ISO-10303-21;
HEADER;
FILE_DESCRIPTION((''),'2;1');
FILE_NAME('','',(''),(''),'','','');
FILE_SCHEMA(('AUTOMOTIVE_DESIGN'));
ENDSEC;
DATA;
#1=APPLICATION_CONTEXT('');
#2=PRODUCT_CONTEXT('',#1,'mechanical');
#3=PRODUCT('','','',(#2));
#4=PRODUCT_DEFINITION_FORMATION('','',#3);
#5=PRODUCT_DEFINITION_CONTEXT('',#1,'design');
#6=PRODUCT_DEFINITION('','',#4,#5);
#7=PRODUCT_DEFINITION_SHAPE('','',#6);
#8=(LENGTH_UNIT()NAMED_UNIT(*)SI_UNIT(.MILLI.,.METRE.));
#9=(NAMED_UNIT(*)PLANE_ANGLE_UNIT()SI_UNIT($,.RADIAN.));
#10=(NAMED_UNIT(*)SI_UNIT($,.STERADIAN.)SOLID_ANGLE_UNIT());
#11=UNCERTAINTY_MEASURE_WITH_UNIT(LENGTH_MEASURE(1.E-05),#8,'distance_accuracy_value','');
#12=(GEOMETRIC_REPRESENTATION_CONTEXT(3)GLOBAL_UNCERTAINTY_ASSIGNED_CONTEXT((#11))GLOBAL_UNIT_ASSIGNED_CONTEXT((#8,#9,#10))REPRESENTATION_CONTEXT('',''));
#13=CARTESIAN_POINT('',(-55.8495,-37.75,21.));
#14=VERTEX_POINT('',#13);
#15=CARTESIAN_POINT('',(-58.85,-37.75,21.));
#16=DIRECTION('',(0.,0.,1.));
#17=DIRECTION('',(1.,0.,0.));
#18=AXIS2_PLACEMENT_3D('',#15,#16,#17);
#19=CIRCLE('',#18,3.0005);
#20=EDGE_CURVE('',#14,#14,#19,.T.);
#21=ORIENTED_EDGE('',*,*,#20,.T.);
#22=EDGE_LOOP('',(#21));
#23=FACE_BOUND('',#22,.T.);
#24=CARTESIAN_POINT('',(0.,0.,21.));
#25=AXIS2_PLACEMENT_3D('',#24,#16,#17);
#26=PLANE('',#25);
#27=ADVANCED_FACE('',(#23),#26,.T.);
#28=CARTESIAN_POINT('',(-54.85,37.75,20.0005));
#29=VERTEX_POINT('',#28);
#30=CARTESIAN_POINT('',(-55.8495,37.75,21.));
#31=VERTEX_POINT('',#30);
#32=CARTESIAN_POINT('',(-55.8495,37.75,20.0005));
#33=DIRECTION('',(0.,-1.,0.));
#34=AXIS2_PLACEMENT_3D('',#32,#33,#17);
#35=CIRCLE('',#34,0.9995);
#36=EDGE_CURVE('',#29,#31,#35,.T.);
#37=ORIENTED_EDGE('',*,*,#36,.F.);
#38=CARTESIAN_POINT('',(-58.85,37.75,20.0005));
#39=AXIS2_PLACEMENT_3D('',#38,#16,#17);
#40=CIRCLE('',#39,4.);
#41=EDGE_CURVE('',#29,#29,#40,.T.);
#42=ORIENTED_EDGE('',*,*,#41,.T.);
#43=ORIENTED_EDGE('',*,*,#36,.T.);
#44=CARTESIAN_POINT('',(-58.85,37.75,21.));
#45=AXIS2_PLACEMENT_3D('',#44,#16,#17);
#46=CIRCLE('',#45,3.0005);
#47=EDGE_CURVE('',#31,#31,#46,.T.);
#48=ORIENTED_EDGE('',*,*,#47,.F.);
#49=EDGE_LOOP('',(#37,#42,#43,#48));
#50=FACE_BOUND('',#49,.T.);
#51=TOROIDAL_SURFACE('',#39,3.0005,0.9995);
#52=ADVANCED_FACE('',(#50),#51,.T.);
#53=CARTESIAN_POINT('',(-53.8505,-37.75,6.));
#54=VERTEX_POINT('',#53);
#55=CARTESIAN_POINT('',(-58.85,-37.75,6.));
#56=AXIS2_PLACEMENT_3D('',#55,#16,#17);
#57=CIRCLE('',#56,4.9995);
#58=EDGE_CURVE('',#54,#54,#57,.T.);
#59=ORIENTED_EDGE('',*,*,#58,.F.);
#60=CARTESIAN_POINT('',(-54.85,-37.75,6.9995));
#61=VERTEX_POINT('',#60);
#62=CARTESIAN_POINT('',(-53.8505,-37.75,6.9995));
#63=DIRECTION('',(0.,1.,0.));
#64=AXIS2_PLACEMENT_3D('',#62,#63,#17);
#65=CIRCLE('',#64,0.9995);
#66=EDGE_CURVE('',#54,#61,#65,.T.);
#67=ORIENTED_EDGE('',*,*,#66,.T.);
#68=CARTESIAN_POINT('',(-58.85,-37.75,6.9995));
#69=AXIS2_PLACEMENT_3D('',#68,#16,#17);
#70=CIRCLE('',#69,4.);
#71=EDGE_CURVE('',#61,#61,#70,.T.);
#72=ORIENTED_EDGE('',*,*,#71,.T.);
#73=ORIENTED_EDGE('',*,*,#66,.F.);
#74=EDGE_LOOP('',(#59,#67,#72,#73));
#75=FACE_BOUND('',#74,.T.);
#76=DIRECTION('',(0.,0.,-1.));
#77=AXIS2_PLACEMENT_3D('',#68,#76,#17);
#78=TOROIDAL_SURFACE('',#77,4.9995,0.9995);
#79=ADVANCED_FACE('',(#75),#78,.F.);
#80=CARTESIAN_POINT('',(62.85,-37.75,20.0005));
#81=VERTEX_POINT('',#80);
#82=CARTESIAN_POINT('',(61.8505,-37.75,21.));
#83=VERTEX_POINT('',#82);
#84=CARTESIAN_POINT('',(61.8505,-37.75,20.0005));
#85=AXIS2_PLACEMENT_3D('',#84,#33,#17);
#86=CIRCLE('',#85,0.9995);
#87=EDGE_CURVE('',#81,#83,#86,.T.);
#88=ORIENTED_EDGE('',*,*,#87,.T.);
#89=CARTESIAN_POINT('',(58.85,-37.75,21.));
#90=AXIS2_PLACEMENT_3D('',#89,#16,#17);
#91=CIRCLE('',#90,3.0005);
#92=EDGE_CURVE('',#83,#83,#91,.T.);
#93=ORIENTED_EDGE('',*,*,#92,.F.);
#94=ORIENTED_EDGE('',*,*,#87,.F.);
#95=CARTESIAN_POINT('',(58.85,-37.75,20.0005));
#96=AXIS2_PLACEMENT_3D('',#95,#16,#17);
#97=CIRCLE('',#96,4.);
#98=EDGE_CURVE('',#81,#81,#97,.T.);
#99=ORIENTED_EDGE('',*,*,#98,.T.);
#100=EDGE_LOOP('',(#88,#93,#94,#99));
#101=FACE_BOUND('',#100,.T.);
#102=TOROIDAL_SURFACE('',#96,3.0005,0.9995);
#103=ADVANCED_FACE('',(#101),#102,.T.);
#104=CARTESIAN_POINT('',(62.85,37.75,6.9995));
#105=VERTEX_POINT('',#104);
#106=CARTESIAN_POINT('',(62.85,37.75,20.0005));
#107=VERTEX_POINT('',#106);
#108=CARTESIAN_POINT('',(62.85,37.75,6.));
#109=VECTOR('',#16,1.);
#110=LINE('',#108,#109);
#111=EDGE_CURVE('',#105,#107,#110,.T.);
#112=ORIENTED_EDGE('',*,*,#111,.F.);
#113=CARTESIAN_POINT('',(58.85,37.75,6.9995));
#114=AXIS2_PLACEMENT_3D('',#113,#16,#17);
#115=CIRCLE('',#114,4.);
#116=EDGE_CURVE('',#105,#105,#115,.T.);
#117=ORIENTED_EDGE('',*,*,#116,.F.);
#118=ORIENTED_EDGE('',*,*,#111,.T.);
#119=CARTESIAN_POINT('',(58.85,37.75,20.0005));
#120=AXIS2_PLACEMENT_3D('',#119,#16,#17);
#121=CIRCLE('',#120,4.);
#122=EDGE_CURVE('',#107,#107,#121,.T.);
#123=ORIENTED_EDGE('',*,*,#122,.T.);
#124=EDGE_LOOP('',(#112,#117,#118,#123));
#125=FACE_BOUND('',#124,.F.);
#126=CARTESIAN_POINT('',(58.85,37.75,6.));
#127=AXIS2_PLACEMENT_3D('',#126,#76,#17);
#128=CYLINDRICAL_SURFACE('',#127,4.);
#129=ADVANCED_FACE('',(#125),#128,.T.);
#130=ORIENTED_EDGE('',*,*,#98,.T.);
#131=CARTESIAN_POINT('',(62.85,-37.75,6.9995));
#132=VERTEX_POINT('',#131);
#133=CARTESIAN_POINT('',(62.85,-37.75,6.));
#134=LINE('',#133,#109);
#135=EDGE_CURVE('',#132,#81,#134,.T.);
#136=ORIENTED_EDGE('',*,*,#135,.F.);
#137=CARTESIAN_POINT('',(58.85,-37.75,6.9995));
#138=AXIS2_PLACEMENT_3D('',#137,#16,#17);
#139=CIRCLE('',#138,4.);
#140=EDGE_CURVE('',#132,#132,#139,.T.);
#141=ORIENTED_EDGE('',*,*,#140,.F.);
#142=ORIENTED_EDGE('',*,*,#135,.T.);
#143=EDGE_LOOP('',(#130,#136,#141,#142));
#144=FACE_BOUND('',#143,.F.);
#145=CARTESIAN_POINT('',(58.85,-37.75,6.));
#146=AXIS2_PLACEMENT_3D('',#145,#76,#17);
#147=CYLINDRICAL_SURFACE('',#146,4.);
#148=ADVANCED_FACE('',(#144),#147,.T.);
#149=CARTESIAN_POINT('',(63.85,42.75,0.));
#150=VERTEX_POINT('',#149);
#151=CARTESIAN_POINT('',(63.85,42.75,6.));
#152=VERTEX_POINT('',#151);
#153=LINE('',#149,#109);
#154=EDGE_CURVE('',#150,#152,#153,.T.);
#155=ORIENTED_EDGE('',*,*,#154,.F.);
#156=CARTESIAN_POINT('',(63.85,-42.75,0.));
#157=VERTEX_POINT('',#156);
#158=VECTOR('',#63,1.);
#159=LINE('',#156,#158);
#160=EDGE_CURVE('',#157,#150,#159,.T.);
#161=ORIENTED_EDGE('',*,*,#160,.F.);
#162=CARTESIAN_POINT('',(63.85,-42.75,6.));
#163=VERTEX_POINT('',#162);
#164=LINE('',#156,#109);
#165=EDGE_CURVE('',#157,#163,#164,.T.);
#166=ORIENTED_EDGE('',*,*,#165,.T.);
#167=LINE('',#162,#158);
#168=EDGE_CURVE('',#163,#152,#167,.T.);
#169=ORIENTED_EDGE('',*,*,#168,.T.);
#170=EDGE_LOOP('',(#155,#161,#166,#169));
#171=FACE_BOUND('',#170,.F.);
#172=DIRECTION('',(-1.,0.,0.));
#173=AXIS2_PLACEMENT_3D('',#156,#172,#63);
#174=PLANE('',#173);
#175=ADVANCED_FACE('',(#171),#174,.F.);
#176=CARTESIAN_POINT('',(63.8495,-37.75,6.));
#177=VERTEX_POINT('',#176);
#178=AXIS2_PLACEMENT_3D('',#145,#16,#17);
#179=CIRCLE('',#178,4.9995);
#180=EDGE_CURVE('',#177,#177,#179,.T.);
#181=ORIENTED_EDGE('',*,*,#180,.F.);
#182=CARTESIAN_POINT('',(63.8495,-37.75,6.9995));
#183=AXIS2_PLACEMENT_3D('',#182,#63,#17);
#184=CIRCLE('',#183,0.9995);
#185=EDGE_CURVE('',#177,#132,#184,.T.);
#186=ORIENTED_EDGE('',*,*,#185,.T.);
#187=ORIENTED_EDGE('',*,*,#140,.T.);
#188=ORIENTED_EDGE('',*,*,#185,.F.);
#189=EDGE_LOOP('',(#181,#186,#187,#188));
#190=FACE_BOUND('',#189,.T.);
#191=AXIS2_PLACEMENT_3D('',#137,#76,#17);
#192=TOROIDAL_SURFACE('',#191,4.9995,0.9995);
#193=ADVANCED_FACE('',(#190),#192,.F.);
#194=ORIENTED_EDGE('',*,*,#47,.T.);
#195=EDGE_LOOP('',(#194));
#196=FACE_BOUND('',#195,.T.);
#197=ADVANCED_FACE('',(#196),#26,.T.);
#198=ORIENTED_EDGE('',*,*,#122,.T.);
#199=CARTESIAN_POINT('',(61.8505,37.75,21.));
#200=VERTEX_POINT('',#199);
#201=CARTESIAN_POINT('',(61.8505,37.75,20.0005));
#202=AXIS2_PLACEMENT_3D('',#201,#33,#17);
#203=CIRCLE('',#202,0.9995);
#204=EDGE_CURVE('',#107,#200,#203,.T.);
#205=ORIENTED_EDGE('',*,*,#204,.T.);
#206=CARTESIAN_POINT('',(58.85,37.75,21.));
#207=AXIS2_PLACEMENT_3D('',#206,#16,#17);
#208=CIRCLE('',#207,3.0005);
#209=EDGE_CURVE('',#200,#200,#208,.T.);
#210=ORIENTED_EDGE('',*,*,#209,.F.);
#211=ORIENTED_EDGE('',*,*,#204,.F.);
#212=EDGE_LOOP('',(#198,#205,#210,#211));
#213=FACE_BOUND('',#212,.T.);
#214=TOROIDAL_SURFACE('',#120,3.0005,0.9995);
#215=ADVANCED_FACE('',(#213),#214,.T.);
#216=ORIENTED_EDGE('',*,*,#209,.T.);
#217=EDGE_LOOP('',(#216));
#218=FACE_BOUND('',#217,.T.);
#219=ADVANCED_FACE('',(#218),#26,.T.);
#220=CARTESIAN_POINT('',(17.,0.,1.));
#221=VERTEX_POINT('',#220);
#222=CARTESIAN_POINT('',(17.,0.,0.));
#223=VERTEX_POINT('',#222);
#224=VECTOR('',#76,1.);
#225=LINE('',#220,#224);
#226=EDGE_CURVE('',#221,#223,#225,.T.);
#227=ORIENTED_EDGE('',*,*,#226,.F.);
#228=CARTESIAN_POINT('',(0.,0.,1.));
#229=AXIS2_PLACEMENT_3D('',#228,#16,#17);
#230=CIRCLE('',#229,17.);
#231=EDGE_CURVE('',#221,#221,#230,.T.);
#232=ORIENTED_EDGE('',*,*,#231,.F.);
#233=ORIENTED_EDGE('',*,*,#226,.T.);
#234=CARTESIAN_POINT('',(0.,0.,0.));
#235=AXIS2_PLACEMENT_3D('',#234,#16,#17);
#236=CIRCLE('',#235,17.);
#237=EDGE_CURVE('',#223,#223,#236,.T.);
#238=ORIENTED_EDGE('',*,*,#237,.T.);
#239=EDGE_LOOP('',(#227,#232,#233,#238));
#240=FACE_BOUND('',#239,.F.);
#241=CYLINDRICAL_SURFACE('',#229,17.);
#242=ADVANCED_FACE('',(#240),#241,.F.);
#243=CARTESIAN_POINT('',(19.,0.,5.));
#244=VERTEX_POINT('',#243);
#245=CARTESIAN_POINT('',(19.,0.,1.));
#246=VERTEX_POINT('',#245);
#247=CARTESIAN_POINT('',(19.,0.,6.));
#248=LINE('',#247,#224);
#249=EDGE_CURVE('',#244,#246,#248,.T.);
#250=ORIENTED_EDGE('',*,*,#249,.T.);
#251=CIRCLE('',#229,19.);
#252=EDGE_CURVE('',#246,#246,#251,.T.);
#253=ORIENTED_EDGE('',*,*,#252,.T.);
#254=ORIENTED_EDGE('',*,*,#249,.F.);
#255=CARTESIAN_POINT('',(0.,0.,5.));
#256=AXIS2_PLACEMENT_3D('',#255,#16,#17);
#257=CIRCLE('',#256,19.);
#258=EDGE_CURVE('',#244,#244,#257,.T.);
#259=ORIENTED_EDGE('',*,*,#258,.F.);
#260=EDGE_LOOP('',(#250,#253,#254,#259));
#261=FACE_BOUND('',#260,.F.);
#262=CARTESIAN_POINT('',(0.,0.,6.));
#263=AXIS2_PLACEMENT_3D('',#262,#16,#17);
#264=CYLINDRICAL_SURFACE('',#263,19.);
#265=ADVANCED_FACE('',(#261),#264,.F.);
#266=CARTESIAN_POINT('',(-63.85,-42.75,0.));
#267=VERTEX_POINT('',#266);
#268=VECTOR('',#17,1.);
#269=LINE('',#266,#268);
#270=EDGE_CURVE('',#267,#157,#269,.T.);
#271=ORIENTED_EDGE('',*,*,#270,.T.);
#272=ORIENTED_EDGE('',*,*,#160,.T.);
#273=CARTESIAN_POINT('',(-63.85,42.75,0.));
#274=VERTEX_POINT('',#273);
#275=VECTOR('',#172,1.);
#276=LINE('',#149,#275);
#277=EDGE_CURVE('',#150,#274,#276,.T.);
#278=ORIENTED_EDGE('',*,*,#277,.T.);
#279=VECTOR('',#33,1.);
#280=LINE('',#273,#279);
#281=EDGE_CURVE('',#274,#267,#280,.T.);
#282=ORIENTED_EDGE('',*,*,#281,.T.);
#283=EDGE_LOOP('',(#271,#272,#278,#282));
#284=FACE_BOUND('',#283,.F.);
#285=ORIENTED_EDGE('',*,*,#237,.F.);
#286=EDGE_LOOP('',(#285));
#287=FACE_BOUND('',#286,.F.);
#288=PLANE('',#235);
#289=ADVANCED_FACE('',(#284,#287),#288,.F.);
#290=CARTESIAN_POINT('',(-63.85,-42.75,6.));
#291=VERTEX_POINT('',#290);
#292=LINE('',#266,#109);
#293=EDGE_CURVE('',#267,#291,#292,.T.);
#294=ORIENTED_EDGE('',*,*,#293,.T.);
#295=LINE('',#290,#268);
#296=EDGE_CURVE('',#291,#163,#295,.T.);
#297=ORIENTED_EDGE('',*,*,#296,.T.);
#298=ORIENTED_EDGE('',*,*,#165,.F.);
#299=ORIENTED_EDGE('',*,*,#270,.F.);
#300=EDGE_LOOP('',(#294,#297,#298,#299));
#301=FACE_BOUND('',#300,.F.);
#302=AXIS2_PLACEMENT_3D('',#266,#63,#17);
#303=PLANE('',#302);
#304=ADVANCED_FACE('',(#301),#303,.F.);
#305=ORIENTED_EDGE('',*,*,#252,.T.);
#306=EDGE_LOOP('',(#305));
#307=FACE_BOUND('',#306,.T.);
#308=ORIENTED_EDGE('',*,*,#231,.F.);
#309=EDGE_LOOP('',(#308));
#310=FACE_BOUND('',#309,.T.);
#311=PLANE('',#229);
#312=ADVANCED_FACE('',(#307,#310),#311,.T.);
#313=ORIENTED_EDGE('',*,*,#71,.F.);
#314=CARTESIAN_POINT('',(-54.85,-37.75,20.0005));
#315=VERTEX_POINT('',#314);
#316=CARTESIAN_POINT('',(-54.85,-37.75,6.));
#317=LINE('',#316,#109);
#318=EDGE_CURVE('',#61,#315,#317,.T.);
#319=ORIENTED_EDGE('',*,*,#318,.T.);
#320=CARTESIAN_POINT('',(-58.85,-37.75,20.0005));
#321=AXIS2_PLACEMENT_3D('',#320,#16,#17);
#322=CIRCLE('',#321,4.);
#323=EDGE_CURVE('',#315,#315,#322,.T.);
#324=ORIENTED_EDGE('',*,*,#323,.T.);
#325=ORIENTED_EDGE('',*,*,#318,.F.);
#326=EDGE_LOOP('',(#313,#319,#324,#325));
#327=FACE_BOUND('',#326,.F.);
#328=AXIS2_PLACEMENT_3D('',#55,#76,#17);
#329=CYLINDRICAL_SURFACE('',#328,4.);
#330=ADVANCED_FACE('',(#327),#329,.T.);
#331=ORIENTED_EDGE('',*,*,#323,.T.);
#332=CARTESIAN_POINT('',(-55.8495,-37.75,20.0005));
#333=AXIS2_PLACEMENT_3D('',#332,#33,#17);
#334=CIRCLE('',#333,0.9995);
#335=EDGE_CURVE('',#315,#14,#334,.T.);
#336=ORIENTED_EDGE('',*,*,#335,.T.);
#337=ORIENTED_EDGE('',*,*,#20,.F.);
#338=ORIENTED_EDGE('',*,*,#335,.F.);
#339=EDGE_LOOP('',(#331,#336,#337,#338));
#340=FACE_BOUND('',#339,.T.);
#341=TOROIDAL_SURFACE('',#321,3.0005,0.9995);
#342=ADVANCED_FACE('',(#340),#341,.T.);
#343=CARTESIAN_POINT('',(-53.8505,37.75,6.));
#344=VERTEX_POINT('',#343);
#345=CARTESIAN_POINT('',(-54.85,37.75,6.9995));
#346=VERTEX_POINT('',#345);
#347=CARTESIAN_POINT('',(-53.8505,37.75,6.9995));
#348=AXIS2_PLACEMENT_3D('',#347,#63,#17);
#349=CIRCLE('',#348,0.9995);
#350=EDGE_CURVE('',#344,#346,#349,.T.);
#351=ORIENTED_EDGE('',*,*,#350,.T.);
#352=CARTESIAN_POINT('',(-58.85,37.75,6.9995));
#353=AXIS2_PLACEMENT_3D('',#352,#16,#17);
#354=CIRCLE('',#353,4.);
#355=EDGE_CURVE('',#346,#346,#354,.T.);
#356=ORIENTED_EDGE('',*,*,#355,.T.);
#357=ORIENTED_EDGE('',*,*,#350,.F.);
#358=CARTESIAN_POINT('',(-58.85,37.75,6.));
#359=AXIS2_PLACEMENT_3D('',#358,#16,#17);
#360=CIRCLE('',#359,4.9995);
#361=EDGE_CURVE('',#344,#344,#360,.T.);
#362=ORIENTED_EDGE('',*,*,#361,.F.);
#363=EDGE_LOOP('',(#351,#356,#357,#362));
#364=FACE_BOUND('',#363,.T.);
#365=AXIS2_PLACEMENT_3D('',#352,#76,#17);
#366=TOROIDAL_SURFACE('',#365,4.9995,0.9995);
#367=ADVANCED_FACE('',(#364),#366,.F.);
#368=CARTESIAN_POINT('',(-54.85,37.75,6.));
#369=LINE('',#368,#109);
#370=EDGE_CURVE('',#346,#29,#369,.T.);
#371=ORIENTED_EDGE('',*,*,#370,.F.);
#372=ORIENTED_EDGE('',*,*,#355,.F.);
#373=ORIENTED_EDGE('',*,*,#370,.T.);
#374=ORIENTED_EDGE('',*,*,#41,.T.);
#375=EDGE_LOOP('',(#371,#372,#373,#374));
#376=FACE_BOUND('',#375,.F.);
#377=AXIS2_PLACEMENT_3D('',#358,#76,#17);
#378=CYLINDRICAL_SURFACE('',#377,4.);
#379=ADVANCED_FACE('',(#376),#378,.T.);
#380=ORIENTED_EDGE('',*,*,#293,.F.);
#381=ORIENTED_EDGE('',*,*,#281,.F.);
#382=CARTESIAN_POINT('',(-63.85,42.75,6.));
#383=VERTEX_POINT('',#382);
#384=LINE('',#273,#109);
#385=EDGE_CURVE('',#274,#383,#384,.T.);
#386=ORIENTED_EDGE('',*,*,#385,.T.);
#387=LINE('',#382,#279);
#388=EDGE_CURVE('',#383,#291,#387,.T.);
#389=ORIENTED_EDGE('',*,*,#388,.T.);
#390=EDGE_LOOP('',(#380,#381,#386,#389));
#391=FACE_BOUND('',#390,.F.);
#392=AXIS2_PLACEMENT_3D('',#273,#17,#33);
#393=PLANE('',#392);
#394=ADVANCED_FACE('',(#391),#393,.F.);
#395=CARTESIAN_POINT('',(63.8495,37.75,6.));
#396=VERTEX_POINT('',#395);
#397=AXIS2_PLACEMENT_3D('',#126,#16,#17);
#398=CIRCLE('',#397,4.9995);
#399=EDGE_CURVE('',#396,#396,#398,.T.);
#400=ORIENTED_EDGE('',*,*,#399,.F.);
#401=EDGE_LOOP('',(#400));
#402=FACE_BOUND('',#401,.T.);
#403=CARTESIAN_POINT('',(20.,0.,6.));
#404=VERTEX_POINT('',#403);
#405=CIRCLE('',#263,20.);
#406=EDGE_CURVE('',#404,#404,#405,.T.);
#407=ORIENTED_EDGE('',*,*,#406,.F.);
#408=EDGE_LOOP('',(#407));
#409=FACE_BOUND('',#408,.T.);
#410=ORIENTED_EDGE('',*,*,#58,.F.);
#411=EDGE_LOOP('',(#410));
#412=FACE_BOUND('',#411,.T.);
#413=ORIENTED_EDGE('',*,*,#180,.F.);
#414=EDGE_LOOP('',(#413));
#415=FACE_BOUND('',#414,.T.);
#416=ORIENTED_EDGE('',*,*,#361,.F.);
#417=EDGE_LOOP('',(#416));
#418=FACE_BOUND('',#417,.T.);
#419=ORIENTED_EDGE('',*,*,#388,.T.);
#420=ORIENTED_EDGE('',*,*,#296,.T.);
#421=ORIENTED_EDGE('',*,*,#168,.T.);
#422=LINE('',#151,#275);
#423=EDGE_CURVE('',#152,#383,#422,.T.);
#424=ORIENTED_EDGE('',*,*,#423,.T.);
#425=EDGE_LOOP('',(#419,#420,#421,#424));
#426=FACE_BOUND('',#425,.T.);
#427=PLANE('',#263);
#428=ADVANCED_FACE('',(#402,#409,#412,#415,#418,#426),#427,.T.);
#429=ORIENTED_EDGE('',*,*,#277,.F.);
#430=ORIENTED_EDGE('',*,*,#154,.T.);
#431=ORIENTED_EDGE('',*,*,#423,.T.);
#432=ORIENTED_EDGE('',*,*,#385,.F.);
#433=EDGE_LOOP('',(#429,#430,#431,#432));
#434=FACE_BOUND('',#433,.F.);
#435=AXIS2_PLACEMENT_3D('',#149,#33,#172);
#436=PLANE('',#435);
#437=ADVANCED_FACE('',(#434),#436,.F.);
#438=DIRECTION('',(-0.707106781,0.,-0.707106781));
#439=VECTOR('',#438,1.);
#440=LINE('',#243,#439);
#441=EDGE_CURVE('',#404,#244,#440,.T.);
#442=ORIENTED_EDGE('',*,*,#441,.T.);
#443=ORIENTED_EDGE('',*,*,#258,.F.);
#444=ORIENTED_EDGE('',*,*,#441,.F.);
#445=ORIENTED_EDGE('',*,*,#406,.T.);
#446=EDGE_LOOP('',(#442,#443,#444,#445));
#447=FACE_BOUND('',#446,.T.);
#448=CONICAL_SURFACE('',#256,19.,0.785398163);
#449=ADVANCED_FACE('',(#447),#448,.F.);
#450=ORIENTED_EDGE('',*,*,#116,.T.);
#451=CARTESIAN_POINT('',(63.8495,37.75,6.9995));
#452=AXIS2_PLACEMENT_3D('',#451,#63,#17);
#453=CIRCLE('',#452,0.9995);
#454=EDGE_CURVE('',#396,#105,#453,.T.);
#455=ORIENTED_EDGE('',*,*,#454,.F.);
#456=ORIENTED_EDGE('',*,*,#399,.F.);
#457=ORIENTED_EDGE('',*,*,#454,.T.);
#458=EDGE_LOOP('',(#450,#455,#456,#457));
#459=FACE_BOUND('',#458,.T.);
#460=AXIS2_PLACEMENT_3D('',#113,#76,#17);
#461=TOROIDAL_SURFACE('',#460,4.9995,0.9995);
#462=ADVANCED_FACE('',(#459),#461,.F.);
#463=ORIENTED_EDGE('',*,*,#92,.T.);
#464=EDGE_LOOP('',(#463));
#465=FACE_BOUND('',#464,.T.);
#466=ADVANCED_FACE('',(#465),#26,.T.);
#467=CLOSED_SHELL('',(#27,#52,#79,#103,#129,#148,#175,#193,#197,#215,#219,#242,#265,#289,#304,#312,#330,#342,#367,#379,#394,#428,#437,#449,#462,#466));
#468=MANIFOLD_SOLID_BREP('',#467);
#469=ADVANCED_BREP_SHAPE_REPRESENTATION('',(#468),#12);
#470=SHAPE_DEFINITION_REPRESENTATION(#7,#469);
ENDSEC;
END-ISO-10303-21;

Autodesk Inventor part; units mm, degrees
ref_plane "YZ Plane" through (0, 0, 0) normal (1, 0, 0) x (0, 1, 0)
ref_plane "XZ Plane" through (0, 0, 0) normal (0, 1, 0) x (-1, 0, 0)
ref_plane "XY Plane" through (0, 0, 0) normal (0, 0, 1) x (1, 0, 0)
sketch "Sketch1" plane through (0, 0, 0) normal (0, 0, 1) x (1, 0, 0)
  line L0 (63.85, 42.75) -> (-63.85, 42.75)
  line L1 (-63.85, 42.75) -> (-63.85, -42.75)
  line L2 (-63.85, -42.75) -> (63.85, -42.75)
  line L3 (63.85, -42.75) -> (63.85, 42.75)
  line L4 (63.85, 42.75) -> (-63.85, -42.75) construction
  line L5 (-63.85, 42.75) -> (63.85, -42.75) construction
  point P0 (0, 0)
  dimension "d0" = 85.5
  dimension "d2" = 127.7
extrude "Extrusion1" add sketch "Sketch1" along normal blind 6
sketch "Sketch2" plane through (0, 0, 6) normal (0, 0, 1) x (1, 0, 0)
  circle A0 centre (0, 0) radius 19
  dimension "d5" = 38
extrude "Extrusion2" cut sketch "Sketch2" against normal blind 5
sketch "Sketch3" plane through (0, 0, 1) normal (0, 0, 1) x (1, 0, 0)
  circle A0 centre (0, 0) radius 19 projected
  circle A1 centre (0, 0) radius 17
  dimension "d9" = 34
extrude "Extrusion3" cut sketch "Sketch3" against normal through all contours A1
chamfer "Chamfer1" distance 1 angle 45 1 edges at (-19, 0, 6)
sketch "Sketch4" plane through (0, 0, 6) normal (0, 0, 1) x (1, 0, 0)
  line L0 (63.85, 42.75) -> (-63.85, 42.75) projected
  line L1 (-63.85, 42.75) -> (-63.85, -42.75) projected
  line L2 (-63.85, -42.75) -> (63.85, -42.75) projected
  line L3 (63.85, -42.75) -> (63.85, 42.75) projected
  line L4 (-63.85, 42.75) -> (-58.85, 42.75) construction
  line L5 (-58.85, 42.75) -> (-58.85, 37.75) construction
  circle A0 centre (-58.85, 37.75) radius 4
  line L6 (0, 42.75) -> (0, -42.75) construction
  line L7 (-63.85, 0) -> (63.85, 0) construction
  circle A1 centre (58.85, 37.75) radius 4
  circle A2 centre (-58.85, -37.75) radius 4
  circle A3 centre (58.85, -37.75) radius 4
  dimension "d16" = 5
  dimension "d18" = 8
extrude "Extrusion4" add sketch "Sketch4" along normal blind 15 contours A0 | A1 | A2 | A3
fillet "Fillet1" radius 1 8 edges at (-62.85, 37.75, 6) (-62.85, 37.75, 21) (-62.85, -37.75, 21) (-62.85, -37.75, 6) (54.85, -37.75, 21) (54.85, -37.75, 6) (54.85, 37.75, 6) (54.85, 37.75, 21)
properties part number "37mm_sd_stage_insert"
